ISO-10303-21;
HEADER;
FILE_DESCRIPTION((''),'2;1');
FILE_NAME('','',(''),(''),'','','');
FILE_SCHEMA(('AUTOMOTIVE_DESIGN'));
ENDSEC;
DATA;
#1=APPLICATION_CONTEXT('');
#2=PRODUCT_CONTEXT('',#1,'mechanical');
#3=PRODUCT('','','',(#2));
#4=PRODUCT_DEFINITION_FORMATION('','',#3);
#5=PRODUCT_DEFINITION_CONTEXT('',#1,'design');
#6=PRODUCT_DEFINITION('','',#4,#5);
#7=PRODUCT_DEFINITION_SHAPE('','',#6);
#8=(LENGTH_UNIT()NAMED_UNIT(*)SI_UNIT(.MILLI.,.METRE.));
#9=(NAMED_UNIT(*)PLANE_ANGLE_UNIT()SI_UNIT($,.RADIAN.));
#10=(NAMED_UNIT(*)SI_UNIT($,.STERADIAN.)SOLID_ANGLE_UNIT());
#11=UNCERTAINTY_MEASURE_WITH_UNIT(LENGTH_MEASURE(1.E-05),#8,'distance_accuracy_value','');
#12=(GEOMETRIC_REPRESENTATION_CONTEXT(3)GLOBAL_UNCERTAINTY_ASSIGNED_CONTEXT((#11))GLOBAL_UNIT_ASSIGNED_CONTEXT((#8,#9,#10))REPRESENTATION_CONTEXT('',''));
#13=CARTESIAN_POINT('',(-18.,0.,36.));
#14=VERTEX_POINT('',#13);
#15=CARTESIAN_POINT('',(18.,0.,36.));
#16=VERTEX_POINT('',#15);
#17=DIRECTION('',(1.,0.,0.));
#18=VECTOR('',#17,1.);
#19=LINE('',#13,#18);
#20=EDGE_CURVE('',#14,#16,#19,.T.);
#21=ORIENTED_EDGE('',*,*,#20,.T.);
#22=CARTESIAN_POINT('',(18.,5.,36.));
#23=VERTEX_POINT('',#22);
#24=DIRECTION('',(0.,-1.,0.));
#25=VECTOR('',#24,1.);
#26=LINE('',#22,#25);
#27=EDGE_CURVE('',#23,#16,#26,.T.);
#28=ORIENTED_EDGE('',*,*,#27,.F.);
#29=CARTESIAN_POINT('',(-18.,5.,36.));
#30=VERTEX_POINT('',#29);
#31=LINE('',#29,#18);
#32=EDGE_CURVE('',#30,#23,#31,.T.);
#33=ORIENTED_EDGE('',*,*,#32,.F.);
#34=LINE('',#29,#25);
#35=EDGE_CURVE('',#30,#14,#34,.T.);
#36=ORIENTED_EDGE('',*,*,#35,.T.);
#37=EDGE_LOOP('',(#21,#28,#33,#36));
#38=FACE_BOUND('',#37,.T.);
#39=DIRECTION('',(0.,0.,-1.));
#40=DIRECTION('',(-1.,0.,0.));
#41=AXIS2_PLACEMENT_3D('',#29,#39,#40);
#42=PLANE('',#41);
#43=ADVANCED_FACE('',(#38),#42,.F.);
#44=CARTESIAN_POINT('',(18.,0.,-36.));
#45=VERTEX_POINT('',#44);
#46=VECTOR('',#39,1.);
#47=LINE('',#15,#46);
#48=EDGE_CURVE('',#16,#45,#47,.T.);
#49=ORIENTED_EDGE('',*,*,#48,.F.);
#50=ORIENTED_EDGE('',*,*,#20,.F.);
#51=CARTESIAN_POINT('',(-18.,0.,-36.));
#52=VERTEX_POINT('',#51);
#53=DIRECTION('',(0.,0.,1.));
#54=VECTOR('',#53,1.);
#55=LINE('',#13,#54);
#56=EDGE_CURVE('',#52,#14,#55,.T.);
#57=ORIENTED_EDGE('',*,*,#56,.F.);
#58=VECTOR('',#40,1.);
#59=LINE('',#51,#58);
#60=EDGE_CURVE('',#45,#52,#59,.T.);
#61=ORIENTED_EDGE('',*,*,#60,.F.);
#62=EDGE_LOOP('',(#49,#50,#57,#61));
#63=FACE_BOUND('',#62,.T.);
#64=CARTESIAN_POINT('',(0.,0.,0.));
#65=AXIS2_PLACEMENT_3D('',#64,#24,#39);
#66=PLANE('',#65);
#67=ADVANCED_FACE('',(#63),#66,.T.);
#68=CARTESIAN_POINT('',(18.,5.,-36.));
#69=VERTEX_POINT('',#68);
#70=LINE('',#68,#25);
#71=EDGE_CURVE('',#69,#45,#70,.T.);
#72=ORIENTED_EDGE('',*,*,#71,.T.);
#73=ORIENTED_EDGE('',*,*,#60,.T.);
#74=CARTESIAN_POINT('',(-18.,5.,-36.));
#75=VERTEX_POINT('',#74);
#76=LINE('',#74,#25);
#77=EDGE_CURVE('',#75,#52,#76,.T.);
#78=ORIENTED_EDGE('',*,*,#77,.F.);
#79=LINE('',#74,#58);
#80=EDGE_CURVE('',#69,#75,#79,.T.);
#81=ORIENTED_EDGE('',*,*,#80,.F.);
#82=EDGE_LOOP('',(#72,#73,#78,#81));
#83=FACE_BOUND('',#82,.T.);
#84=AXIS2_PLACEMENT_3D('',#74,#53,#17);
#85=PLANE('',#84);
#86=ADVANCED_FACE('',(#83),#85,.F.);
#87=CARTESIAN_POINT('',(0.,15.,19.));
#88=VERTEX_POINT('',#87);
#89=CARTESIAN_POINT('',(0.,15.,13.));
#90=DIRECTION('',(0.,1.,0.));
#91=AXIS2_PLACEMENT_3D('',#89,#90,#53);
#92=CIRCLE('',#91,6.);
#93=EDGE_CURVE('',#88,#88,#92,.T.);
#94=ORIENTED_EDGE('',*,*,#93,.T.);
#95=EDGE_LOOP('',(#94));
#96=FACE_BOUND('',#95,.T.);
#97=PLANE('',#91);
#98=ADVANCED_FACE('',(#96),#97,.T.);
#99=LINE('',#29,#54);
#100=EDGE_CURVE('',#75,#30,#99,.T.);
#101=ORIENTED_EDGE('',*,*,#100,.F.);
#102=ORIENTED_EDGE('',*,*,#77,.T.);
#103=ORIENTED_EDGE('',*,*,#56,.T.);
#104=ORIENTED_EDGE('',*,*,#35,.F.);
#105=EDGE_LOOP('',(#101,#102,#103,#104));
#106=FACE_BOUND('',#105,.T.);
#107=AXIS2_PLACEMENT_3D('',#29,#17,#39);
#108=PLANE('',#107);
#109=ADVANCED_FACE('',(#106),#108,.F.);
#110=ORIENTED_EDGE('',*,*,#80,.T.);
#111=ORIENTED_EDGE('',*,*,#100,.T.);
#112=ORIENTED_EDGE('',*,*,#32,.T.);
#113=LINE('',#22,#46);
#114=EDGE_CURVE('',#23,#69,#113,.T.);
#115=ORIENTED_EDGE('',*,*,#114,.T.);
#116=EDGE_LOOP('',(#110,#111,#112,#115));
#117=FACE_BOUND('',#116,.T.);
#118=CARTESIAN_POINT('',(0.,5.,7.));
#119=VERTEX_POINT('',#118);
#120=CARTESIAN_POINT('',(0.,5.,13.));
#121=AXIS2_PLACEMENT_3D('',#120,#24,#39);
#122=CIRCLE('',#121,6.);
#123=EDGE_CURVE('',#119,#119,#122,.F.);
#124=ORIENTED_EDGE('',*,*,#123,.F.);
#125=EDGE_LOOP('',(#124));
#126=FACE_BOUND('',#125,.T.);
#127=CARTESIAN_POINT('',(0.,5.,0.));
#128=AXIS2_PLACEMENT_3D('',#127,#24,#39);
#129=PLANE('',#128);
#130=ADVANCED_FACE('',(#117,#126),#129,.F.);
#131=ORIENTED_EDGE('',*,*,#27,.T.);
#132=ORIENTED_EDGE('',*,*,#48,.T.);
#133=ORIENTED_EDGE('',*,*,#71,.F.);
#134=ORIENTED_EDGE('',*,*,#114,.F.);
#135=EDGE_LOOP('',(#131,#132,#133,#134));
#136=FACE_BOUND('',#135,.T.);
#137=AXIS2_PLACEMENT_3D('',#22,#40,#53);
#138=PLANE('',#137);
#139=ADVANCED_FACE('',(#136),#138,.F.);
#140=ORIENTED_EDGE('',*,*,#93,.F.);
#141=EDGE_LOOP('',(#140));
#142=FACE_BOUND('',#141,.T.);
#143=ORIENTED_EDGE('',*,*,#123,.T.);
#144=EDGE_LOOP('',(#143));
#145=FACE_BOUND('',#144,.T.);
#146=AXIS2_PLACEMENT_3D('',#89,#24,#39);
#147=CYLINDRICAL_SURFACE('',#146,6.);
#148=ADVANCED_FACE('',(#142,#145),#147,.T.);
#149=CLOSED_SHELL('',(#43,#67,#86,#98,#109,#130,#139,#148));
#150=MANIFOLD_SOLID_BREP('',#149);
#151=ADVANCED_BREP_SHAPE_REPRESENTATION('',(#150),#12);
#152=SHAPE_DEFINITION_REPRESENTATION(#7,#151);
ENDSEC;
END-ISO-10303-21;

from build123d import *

# Parameters (mm, degrees)
SKETCH1_W           = 36
SKETCH1_H           = 72
BOSS_EXTRUDE1_DEPTH = 5
SKETCH2_R           = 6
BOSS_EXTRUDE2_DEPTH = 10


with BuildPart() as part:
    # Sketch1 → Boss-Extrude1 (new body)
    with BuildSketch(Plane(origin=(0, 0, 0), x_dir=(1, 0, 0), z_dir=(0, 1, 0))):
        Rectangle(SKETCH1_W, SKETCH1_H)
    extrude(amount=BOSS_EXTRUDE1_DEPTH)

    # Sketch2 → Boss-Extrude2 (add)
    with BuildSketch(Plane(origin=(0, 5, 0), x_dir=(1, 0, 0), z_dir=(0, 1, 0))):
        with Locations(Location((0, -13, 0), (0, 0, 90))):
            Circle(SKETCH2_R)
    extrude(amount=BOSS_EXTRUDE2_DEPTH)


solid = part.part
